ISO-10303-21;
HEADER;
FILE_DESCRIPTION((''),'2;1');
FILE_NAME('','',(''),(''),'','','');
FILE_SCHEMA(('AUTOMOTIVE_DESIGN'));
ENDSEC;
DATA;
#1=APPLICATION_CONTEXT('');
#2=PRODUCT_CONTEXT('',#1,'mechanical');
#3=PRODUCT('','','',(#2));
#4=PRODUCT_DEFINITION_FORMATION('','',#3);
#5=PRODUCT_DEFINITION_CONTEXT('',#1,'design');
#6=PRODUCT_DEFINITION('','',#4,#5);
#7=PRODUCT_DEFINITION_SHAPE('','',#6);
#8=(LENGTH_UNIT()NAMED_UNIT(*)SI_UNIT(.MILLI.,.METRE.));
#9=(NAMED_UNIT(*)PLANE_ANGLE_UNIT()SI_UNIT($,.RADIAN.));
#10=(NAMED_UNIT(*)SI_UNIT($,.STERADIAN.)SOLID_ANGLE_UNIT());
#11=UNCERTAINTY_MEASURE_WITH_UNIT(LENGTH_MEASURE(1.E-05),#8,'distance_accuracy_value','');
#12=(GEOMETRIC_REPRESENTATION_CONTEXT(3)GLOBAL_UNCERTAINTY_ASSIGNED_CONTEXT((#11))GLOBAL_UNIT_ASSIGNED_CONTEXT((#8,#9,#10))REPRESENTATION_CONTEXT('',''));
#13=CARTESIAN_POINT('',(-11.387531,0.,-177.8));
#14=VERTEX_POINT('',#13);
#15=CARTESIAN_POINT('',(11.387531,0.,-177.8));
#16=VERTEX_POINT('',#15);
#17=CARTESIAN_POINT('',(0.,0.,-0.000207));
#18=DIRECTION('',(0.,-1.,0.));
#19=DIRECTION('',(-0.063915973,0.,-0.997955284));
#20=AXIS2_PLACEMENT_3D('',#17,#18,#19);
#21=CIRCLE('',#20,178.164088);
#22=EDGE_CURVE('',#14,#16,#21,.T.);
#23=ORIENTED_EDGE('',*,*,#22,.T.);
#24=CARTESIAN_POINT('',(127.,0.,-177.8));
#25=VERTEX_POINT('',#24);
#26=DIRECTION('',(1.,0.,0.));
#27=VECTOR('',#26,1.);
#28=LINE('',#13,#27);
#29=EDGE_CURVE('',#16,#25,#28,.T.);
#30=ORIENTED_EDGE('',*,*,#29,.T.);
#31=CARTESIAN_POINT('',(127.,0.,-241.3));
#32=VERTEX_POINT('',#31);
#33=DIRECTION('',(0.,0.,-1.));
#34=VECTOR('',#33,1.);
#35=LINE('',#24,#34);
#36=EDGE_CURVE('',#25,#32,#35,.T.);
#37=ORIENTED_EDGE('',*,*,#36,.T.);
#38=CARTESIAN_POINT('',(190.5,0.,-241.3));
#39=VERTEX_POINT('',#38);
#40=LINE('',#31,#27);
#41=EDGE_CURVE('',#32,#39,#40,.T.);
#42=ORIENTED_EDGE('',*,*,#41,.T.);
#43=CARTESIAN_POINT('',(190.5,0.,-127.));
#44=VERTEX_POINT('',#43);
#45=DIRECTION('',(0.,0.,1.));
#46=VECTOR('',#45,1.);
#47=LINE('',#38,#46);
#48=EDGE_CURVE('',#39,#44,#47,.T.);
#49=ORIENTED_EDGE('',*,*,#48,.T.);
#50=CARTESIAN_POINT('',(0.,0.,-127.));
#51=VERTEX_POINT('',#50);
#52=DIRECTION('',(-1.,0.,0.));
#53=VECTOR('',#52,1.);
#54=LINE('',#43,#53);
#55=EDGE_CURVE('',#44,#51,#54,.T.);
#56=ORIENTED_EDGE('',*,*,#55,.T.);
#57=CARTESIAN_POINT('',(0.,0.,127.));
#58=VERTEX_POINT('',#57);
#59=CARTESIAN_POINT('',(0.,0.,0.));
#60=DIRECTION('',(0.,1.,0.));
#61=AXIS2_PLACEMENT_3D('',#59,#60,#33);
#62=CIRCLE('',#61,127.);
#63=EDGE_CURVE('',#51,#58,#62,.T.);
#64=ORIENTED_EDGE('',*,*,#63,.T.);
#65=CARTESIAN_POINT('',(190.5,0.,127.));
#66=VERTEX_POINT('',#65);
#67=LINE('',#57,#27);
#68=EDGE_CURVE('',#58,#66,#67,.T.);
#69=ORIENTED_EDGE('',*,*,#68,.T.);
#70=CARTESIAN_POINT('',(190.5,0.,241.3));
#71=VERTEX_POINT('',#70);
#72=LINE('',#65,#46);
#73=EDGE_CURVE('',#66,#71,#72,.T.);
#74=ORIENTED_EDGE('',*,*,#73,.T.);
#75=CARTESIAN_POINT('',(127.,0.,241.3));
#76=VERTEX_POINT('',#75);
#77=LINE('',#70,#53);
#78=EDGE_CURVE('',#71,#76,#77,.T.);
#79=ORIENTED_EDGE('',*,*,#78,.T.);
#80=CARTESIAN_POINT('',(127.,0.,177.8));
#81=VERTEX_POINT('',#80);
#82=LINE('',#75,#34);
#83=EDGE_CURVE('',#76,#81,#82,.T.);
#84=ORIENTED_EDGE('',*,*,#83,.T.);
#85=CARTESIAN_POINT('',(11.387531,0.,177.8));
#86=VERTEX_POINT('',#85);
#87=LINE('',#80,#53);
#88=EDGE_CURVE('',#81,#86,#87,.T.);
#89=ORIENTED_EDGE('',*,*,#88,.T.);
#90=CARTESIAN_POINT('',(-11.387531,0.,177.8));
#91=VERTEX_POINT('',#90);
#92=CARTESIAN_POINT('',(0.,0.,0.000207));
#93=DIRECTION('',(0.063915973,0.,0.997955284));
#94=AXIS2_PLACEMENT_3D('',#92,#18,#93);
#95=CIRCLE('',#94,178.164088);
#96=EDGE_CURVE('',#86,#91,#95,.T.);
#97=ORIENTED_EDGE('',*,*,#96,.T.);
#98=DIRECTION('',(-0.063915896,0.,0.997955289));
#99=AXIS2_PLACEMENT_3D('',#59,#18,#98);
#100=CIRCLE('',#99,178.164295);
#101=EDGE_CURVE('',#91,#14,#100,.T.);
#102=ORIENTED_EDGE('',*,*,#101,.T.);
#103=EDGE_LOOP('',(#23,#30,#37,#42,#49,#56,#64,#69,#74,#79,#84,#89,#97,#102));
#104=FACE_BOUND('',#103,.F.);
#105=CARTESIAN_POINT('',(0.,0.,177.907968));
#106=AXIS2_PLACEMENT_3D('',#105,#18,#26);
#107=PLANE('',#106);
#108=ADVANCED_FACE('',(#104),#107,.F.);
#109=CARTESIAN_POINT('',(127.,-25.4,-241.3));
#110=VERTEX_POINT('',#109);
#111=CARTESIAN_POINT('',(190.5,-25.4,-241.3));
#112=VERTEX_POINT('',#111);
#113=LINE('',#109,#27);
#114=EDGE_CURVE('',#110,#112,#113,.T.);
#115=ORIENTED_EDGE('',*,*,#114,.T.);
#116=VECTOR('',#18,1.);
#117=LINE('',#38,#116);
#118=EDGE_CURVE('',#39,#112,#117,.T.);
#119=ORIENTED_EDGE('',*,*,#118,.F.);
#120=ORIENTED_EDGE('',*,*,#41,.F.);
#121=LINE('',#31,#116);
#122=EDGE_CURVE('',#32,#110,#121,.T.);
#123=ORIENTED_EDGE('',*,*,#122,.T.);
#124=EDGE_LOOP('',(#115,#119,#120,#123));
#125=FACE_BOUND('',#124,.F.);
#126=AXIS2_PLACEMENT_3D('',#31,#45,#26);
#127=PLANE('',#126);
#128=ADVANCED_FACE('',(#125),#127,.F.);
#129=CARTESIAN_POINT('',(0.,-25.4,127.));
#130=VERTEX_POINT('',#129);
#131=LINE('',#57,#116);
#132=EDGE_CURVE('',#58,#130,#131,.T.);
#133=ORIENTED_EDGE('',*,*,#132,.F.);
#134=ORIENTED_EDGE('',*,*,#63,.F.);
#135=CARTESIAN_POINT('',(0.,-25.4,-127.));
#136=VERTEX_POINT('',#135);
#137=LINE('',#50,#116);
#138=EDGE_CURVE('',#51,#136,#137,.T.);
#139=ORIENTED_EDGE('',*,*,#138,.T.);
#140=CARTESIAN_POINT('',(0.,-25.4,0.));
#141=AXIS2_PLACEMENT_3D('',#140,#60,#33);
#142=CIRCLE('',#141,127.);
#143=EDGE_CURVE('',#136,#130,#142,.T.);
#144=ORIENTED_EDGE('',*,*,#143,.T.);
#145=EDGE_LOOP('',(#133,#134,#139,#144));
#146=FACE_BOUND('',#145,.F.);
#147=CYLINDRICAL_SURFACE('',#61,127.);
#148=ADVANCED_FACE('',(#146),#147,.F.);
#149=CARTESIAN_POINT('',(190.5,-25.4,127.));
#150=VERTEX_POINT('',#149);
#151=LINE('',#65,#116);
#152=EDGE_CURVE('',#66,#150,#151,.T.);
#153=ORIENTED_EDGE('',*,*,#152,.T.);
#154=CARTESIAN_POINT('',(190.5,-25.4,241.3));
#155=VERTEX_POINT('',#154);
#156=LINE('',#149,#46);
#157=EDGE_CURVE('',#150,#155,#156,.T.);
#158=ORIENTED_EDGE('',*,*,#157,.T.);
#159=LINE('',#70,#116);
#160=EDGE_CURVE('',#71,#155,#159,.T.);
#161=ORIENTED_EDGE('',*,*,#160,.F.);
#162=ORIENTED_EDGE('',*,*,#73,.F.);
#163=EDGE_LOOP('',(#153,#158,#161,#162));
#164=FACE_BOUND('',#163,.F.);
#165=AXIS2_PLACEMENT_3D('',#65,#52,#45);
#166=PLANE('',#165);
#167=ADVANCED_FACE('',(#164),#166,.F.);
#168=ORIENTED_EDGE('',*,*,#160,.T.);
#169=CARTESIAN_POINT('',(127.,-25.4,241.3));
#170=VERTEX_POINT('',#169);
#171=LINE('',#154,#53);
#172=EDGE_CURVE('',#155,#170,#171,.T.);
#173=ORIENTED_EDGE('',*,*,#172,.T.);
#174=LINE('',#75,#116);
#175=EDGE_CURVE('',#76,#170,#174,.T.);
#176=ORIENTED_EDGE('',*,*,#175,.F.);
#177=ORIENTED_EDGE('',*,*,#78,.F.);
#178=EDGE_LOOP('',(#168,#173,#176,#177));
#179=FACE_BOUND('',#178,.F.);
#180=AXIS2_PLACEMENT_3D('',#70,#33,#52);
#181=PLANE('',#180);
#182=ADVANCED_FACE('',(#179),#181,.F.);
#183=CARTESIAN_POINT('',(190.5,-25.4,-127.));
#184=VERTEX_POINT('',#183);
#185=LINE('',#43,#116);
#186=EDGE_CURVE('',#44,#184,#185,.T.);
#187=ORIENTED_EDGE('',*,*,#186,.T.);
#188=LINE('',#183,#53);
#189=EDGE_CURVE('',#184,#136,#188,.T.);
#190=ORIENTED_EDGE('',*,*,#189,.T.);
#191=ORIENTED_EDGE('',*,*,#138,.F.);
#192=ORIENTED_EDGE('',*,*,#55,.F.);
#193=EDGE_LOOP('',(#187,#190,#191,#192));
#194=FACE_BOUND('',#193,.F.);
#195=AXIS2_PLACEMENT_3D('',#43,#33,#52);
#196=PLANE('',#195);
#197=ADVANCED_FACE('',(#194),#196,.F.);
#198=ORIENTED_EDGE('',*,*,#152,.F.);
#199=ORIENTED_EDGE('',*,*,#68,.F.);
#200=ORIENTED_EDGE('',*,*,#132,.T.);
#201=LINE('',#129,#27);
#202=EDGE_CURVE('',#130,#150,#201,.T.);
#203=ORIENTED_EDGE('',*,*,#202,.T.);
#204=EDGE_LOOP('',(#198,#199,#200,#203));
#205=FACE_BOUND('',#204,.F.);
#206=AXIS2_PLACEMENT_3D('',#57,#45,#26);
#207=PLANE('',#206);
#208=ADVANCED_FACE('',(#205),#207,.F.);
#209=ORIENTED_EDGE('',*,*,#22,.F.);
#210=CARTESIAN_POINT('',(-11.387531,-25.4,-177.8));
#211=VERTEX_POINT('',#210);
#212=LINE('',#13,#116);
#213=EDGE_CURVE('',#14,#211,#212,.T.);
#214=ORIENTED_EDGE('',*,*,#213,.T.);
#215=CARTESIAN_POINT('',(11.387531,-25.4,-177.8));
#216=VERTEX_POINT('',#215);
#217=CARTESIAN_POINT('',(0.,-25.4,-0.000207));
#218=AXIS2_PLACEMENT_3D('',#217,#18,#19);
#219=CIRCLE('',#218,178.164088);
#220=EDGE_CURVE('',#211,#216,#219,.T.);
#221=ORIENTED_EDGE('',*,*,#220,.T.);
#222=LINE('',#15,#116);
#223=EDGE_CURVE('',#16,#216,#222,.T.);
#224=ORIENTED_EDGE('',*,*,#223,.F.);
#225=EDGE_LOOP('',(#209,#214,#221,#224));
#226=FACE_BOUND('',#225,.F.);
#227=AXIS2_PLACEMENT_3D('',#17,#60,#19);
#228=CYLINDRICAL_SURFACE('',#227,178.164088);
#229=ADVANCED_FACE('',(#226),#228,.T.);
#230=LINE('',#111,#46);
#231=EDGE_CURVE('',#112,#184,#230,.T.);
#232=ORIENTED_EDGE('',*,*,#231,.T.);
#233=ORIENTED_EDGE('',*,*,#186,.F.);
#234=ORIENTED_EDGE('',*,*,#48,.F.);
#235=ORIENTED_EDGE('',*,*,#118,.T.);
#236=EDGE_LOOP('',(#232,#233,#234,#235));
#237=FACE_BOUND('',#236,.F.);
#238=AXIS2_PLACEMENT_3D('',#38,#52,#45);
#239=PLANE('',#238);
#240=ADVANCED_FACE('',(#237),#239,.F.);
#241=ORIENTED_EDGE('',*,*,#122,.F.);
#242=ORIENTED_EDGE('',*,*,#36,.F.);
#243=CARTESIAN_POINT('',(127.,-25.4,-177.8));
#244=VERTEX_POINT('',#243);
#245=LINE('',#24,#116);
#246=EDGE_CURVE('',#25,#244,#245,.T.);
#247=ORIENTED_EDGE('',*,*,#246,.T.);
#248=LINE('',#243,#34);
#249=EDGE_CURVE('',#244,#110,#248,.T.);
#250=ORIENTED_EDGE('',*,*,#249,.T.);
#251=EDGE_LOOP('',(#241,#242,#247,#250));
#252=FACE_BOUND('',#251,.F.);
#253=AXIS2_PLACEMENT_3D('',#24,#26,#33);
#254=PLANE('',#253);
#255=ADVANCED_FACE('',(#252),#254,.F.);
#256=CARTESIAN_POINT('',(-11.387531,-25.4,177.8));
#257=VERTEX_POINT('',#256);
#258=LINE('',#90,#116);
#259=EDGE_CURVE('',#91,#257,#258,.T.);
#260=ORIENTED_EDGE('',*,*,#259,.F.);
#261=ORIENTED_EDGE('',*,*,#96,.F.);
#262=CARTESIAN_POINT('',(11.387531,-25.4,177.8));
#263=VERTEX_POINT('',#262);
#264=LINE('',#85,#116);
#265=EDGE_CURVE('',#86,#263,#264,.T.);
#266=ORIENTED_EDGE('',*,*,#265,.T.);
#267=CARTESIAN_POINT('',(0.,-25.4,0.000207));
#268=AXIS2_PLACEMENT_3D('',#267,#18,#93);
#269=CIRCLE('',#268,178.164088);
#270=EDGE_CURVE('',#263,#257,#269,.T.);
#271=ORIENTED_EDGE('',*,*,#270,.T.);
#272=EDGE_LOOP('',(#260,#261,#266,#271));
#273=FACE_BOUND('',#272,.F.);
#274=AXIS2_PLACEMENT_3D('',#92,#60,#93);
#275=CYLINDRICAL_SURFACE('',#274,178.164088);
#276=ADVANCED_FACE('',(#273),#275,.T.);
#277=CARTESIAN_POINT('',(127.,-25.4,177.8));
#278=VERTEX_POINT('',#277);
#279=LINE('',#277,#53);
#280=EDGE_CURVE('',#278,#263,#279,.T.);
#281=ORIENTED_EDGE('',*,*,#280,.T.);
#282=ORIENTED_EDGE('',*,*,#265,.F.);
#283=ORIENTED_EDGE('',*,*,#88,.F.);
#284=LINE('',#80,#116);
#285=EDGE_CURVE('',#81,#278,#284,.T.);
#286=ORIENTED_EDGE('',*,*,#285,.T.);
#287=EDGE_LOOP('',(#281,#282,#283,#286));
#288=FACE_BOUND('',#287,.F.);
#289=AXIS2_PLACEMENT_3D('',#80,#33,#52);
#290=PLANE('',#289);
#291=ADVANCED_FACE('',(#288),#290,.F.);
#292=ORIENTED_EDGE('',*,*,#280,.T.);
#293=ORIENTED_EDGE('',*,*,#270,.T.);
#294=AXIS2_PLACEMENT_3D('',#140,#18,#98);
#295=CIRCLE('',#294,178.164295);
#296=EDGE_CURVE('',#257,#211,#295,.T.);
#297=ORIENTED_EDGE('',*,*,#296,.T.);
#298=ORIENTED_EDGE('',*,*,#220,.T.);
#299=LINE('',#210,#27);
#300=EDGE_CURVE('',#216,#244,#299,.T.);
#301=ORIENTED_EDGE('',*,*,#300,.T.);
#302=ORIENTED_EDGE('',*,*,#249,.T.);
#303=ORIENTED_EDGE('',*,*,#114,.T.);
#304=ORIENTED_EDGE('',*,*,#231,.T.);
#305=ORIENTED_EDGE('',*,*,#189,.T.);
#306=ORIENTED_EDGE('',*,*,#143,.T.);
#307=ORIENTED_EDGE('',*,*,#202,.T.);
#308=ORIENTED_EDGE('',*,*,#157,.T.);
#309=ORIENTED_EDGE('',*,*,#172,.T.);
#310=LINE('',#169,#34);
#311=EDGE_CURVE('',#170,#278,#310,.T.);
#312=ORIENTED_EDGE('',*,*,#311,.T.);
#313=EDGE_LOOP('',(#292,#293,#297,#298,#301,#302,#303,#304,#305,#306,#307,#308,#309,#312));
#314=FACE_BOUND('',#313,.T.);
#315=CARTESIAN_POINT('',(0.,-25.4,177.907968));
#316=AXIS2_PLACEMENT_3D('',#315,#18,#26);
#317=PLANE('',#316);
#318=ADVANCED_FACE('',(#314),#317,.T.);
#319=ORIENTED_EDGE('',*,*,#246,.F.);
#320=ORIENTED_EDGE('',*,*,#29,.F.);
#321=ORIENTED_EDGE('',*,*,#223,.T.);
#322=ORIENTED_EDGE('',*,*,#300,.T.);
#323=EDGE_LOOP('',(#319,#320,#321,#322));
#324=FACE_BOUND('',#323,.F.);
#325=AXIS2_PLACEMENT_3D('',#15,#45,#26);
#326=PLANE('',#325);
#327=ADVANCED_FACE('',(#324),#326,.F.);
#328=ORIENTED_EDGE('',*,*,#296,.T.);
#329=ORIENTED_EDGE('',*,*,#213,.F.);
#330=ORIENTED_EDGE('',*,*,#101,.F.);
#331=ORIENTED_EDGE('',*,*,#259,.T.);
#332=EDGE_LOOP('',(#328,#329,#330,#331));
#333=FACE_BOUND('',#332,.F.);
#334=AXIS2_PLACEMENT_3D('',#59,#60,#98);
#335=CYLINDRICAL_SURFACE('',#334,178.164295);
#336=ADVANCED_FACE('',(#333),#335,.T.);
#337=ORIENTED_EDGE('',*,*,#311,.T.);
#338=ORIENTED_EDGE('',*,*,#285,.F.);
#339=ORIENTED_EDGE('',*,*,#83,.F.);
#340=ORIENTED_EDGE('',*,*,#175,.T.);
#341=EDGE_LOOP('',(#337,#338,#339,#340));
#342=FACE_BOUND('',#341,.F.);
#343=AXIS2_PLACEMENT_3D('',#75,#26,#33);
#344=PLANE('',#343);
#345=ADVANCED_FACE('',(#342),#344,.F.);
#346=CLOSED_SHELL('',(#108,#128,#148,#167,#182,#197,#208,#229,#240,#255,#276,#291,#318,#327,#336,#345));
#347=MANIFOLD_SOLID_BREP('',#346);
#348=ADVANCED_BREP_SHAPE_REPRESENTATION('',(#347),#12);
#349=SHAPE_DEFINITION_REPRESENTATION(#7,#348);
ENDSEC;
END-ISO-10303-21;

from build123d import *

# Parameters (mm, degrees)
F1_DEPTH = 25.4


with BuildPart() as f1:
    # F0 (on Front) → F1 (new body)
    with BuildSketch(Plane.XZ):
        with BuildLine():
            Line((-11.387531, 177.8), (11.387531, 177.8))
            ThreePointArc((11.387531, 177.8), (0, 178.164295), (-11.387531, 177.8))
        make_face()
        with BuildLine():
            Line((11.387531, -177.8), (-11.387531, -177.8))
            ThreePointArc((-11.387531, -177.8), (0, -178.164295), (11.387531, -177.8))
        make_face()
        with BuildLine():
            Line((127, 241.3), (127, 177.8))
            Line((127, 177.8), (11.387531, 177.8))
            Line((11.387531, 177.8), (-11.387531, 177.8))
            ThreePointArc((-11.387531, 177.8), (-178.164295, 0), (-11.387531, -177.8))
            Line((-11.387531, -177.8), (11.387531, -177.8))
            Line((11.387531, -177.8), (127, -177.8))
            Line((127, -177.8), (127, -241.3))
            Line((127, -241.3), (190.5, -241.3))
            Line((190.5, -241.3), (190.5, -177.8))
            Line((190.5, -177.8), (190.5, -127))
            Line((190.5, -127), (127, -127))
            Line((127, -127), (0, -127))
            ThreePointArc((0, -127), (-127, 0), (0, 127))
            Line((0, 127), (127, 127))
            Line((127, 127), (190.5, 127))
            Line((190.5, 127), (190.5, 177.8))
            Line((190.5, 177.8), (190.5, 241.3))
            Line((190.5, 241.3), (127, 241.3))
        make_face()
    extrude(amount=F1_DEPTH)


solid = f1.part
